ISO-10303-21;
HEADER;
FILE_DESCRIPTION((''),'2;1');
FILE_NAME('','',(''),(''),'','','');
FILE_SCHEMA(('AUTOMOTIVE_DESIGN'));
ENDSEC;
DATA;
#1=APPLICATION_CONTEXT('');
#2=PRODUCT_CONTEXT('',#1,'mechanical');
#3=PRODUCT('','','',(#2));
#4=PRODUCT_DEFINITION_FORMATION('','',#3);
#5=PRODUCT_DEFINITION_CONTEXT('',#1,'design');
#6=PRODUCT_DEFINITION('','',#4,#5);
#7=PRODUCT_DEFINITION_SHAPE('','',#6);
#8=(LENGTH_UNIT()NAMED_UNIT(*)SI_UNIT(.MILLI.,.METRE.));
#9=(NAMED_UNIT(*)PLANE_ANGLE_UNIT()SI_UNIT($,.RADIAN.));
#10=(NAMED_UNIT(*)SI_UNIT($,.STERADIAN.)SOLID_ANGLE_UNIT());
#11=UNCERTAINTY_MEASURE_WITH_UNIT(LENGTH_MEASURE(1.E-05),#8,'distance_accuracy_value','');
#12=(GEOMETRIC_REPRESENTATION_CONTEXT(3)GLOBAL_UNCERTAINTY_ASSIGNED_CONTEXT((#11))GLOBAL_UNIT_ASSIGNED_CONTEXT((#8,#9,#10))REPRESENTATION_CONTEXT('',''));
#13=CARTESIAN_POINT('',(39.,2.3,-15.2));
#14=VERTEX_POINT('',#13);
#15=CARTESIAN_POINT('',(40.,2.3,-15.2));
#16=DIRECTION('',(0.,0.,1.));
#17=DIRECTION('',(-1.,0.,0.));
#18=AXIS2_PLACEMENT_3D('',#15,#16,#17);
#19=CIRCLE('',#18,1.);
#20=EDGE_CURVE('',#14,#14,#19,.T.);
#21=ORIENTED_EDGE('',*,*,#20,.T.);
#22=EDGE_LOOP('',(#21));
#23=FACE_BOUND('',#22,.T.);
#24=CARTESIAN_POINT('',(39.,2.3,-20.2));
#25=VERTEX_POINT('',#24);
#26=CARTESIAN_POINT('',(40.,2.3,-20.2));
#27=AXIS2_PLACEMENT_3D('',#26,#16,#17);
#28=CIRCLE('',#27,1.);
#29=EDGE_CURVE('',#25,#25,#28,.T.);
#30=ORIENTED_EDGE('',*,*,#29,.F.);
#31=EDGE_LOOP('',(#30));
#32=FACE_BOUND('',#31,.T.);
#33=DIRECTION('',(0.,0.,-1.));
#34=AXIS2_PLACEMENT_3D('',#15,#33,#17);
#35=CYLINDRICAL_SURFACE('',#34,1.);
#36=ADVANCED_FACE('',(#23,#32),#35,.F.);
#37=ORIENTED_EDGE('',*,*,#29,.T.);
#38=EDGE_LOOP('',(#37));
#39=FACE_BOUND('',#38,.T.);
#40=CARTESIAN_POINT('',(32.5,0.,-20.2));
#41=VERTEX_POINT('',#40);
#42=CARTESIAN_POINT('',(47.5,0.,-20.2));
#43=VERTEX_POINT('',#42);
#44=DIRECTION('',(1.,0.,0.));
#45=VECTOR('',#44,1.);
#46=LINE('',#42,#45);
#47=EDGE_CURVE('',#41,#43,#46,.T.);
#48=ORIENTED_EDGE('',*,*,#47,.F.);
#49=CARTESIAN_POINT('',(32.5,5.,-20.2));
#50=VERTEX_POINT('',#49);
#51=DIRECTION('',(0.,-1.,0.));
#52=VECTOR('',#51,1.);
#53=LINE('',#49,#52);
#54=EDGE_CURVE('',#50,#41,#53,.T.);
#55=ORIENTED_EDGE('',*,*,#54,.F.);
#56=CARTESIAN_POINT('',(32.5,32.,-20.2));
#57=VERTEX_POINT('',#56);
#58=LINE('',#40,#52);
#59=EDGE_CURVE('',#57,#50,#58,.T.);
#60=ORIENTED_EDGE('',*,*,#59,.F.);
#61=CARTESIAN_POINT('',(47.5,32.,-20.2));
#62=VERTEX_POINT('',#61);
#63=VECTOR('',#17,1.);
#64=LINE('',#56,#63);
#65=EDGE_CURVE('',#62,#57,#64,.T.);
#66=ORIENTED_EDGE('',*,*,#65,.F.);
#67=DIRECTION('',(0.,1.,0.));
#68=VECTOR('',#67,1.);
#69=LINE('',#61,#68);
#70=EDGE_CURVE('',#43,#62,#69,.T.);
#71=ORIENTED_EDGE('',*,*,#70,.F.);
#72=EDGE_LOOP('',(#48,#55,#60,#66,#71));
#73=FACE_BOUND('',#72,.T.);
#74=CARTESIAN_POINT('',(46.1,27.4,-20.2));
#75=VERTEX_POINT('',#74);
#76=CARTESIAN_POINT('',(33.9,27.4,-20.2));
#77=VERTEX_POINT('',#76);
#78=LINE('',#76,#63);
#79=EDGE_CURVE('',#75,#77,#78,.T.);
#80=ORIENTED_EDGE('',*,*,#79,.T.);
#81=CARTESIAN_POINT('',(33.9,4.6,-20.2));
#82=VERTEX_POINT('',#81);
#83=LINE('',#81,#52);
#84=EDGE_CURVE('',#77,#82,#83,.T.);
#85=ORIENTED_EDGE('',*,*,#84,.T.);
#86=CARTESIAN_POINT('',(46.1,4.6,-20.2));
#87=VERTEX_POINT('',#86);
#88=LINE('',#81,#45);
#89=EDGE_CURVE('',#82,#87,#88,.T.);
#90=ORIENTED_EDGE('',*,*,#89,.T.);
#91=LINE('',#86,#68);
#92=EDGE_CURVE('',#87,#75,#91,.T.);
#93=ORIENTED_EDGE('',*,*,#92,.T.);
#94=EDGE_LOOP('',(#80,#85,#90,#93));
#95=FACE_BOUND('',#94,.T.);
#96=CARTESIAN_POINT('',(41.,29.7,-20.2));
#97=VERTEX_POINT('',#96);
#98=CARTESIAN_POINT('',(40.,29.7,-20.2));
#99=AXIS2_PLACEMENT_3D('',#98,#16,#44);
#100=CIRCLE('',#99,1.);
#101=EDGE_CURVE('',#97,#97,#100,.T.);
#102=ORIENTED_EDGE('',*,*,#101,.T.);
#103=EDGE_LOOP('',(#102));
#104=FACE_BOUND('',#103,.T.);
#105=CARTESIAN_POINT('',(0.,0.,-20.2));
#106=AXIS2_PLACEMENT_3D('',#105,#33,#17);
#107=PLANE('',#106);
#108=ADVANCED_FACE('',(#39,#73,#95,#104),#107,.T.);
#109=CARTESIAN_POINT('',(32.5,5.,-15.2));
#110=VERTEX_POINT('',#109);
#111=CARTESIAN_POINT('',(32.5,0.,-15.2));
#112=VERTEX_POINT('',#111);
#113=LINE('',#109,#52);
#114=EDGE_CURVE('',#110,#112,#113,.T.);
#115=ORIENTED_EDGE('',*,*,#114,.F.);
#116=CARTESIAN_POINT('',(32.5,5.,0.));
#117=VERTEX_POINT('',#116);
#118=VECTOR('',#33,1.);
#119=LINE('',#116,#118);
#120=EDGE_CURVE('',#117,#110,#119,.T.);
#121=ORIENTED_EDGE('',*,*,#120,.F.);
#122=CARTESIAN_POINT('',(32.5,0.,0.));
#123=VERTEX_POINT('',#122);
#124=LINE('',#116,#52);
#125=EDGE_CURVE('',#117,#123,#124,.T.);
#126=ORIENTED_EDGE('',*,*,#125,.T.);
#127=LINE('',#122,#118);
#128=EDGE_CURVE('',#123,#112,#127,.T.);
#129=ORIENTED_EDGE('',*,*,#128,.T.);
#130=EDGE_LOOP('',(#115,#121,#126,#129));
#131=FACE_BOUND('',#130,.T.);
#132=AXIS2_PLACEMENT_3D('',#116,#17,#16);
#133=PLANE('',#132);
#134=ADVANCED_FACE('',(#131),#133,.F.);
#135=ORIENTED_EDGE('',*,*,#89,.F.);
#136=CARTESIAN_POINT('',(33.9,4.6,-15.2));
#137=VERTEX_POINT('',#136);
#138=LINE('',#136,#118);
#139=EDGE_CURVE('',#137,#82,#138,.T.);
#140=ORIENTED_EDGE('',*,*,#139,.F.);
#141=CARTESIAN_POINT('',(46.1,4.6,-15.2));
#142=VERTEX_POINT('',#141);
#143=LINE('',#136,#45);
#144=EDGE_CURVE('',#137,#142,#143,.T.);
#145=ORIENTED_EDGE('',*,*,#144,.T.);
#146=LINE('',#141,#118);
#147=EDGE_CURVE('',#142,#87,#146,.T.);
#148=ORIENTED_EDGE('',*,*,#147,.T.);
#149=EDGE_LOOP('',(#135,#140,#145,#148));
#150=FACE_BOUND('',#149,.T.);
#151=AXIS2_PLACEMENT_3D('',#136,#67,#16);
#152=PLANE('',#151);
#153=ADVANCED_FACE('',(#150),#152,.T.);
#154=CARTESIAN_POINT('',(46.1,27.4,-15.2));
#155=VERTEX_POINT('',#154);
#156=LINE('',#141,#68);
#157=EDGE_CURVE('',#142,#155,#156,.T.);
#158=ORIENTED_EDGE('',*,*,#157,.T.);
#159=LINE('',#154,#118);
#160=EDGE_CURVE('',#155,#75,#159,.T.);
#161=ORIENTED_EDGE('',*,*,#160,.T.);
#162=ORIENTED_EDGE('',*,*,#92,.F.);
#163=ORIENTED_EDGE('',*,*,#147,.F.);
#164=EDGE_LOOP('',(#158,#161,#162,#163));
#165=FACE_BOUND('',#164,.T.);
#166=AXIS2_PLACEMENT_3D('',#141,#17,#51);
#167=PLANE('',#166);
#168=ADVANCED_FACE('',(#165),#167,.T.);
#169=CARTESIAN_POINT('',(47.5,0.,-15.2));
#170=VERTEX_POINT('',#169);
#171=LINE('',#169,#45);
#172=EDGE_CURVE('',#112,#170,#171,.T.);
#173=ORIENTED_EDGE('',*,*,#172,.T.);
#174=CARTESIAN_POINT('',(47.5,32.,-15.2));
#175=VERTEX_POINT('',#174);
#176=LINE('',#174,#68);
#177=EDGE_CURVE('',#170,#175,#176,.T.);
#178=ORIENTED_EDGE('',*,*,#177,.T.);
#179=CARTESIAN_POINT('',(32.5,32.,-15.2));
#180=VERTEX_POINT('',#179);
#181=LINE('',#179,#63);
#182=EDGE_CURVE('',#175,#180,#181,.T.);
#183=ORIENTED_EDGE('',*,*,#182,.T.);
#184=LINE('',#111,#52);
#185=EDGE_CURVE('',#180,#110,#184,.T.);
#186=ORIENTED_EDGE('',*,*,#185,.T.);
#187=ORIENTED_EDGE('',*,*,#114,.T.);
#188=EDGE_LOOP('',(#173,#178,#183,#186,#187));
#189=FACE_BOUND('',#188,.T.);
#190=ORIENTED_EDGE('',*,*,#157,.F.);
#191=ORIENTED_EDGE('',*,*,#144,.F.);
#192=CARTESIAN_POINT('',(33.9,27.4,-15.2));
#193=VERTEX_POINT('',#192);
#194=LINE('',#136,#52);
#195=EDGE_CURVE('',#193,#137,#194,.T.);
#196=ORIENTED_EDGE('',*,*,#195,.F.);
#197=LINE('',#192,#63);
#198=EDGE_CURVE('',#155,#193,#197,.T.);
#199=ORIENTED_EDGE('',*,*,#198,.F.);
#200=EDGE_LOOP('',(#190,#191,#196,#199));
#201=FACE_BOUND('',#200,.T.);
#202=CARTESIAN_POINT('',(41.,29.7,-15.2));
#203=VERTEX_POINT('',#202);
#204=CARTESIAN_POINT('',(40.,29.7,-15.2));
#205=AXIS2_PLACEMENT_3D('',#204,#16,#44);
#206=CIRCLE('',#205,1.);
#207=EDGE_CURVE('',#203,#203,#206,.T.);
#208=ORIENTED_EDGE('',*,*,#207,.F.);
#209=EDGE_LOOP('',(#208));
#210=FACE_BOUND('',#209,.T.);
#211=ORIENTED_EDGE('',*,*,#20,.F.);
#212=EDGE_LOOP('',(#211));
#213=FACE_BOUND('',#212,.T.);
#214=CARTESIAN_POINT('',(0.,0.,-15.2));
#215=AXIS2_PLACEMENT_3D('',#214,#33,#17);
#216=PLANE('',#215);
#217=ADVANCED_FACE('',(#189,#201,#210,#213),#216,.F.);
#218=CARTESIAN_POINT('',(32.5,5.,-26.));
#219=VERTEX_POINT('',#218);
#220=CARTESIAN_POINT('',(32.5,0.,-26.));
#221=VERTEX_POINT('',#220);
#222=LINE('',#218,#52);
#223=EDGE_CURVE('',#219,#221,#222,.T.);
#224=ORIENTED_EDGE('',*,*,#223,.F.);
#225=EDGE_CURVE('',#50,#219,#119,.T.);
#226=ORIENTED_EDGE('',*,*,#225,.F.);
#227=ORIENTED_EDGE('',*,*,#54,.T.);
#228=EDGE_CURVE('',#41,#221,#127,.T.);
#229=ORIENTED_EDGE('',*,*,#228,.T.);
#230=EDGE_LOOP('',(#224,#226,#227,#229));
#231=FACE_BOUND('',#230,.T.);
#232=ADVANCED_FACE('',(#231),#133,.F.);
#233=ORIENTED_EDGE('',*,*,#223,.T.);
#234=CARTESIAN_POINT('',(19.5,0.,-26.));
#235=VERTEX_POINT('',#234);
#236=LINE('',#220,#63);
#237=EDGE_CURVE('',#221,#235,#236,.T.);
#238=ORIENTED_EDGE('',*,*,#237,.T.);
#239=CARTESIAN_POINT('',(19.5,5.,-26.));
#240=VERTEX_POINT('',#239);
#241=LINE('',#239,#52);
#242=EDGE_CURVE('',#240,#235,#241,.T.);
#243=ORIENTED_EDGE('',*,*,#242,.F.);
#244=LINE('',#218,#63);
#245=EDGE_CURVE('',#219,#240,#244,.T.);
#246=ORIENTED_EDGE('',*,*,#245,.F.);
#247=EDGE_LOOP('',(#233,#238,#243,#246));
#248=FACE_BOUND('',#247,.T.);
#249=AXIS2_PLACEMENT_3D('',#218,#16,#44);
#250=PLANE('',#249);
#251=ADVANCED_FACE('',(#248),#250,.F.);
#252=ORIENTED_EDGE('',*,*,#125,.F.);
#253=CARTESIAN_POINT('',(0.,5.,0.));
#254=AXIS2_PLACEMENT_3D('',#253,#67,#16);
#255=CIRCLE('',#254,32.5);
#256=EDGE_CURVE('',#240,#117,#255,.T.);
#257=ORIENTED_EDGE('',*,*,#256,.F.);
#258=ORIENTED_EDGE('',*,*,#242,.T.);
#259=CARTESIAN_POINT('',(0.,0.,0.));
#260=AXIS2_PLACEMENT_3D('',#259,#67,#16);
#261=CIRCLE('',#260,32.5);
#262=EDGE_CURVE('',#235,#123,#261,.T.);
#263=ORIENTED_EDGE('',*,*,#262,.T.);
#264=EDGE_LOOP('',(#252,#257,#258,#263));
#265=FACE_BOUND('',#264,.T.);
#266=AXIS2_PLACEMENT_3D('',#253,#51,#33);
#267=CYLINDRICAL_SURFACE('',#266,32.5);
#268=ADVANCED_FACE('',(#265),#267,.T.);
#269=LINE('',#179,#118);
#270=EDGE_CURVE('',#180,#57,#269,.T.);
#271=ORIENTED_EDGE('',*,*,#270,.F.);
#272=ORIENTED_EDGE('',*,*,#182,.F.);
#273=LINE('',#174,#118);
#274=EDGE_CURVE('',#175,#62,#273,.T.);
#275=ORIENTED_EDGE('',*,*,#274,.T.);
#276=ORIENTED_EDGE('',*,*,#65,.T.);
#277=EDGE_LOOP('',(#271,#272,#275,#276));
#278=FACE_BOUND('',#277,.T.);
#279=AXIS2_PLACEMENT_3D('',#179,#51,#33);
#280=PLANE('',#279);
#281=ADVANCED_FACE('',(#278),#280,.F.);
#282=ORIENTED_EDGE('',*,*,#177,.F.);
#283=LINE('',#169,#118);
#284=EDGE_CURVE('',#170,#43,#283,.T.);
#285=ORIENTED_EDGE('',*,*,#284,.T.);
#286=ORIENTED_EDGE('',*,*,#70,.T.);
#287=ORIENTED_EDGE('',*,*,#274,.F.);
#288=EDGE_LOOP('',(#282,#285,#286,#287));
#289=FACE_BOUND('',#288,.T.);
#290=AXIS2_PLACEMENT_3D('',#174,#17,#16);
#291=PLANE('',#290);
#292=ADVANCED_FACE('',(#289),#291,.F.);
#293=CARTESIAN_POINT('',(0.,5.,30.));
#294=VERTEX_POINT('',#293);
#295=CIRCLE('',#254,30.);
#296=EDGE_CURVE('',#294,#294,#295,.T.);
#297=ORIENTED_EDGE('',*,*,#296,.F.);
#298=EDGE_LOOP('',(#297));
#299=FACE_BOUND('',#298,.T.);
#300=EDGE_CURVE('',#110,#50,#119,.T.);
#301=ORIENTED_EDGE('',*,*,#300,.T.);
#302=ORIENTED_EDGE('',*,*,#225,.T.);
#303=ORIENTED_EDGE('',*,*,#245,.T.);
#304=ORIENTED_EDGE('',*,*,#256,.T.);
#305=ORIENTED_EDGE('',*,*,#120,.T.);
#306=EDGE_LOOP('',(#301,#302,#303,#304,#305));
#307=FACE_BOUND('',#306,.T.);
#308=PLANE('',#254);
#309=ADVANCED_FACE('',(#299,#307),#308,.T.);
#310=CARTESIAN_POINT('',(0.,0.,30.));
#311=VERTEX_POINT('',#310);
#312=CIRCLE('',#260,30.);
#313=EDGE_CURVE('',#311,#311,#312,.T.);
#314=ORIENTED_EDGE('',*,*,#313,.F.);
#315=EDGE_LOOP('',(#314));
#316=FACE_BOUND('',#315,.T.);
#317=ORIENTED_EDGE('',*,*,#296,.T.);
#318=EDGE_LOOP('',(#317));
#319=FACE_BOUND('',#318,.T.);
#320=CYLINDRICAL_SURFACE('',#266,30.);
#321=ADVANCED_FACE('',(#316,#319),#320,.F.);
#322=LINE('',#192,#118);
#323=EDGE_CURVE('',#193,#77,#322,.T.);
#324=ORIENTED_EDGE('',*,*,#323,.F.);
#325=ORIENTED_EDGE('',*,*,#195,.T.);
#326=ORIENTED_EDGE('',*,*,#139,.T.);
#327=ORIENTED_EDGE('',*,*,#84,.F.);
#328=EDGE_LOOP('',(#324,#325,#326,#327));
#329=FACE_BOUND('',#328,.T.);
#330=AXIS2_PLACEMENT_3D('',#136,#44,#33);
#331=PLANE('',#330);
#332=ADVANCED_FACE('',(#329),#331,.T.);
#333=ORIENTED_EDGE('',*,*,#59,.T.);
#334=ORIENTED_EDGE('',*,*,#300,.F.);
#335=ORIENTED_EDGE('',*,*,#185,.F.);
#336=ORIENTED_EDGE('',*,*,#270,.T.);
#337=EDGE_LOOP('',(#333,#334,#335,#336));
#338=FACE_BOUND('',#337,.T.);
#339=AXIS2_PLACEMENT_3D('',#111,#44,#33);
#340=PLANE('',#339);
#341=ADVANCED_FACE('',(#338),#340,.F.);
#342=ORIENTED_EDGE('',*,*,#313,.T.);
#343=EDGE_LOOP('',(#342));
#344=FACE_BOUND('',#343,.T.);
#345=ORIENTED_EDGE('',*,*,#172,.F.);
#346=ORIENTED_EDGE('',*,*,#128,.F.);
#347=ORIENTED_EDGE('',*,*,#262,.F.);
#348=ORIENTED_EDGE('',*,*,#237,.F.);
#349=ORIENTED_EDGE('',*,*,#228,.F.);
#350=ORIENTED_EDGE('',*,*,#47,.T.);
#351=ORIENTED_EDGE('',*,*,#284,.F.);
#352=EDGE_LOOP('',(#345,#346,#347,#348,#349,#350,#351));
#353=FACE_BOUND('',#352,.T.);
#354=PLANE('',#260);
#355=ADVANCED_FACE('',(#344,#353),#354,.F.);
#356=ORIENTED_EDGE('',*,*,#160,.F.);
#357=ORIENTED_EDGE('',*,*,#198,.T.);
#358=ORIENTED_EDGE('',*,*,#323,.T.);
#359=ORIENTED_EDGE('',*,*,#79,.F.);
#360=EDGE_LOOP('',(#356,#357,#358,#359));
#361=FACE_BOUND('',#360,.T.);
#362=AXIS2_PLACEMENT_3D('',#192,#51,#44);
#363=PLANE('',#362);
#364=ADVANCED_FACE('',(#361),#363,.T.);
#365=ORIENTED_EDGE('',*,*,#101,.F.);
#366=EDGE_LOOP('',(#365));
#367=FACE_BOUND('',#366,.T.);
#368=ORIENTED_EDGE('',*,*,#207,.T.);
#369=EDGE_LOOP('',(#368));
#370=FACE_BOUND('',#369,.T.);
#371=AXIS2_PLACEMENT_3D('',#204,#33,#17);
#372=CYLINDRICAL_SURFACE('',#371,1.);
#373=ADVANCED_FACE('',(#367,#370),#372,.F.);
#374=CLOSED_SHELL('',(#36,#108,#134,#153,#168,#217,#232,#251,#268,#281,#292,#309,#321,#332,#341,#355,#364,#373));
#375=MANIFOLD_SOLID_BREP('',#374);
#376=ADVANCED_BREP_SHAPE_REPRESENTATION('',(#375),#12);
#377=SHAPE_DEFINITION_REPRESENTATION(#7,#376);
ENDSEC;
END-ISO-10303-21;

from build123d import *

# Parameters (mm, degrees)
SKETCH1_R           = 30
BOSS_EXTRUDE1_DEPTH = 5
BOSS_EXTRUDE4_START = -20.2
SKETCH3_W           = 15
SKETCH3_H           = 32
SKETCH3_R           = 1
SKETCH3_W_2         = 12.2
SKETCH3_H_2         = 22.8
BOSS_EXTRUDE4_DEPTH = 5


with BuildPart() as part:
    # Sketch1 → Boss-Extrude1 (new body)
    with BuildSketch(Plane(origin=(0, 0, 0), x_dir=(1, 0, 0), z_dir=(0, 1, 0))):
        with BuildLine():
            Line((32.5, 0), (32.5, 26))
            Line((32.5, 26), (19.5, 26))
            ThreePointArc((19.5, 26), (-29.068883707, -14.534441854), (32.5, 0))
        make_face()
        Circle(SKETCH1_R, mode=Mode.SUBTRACT)
    extrude(amount=BOSS_EXTRUDE1_DEPTH)

    # Sketch3 → Boss-Extrude4 (add)
    with BuildSketch(Plane.XY.offset(BOSS_EXTRUDE4_START)):
        with Locations((40, 16)):
            Rectangle(SKETCH3_W, SKETCH3_H)
        with Locations((40, 29.7)):
            Circle(SKETCH3_R, mode=Mode.SUBTRACT)
        with Locations((40, 2.3)):
            Circle(SKETCH3_R, mode=Mode.SUBTRACT)
        with Locations((40, 16)):
            Rectangle(SKETCH3_W_2, SKETCH3_H_2, mode=Mode.SUBTRACT)
    extrude(amount=BOSS_EXTRUDE4_DEPTH)


solid = part.part
